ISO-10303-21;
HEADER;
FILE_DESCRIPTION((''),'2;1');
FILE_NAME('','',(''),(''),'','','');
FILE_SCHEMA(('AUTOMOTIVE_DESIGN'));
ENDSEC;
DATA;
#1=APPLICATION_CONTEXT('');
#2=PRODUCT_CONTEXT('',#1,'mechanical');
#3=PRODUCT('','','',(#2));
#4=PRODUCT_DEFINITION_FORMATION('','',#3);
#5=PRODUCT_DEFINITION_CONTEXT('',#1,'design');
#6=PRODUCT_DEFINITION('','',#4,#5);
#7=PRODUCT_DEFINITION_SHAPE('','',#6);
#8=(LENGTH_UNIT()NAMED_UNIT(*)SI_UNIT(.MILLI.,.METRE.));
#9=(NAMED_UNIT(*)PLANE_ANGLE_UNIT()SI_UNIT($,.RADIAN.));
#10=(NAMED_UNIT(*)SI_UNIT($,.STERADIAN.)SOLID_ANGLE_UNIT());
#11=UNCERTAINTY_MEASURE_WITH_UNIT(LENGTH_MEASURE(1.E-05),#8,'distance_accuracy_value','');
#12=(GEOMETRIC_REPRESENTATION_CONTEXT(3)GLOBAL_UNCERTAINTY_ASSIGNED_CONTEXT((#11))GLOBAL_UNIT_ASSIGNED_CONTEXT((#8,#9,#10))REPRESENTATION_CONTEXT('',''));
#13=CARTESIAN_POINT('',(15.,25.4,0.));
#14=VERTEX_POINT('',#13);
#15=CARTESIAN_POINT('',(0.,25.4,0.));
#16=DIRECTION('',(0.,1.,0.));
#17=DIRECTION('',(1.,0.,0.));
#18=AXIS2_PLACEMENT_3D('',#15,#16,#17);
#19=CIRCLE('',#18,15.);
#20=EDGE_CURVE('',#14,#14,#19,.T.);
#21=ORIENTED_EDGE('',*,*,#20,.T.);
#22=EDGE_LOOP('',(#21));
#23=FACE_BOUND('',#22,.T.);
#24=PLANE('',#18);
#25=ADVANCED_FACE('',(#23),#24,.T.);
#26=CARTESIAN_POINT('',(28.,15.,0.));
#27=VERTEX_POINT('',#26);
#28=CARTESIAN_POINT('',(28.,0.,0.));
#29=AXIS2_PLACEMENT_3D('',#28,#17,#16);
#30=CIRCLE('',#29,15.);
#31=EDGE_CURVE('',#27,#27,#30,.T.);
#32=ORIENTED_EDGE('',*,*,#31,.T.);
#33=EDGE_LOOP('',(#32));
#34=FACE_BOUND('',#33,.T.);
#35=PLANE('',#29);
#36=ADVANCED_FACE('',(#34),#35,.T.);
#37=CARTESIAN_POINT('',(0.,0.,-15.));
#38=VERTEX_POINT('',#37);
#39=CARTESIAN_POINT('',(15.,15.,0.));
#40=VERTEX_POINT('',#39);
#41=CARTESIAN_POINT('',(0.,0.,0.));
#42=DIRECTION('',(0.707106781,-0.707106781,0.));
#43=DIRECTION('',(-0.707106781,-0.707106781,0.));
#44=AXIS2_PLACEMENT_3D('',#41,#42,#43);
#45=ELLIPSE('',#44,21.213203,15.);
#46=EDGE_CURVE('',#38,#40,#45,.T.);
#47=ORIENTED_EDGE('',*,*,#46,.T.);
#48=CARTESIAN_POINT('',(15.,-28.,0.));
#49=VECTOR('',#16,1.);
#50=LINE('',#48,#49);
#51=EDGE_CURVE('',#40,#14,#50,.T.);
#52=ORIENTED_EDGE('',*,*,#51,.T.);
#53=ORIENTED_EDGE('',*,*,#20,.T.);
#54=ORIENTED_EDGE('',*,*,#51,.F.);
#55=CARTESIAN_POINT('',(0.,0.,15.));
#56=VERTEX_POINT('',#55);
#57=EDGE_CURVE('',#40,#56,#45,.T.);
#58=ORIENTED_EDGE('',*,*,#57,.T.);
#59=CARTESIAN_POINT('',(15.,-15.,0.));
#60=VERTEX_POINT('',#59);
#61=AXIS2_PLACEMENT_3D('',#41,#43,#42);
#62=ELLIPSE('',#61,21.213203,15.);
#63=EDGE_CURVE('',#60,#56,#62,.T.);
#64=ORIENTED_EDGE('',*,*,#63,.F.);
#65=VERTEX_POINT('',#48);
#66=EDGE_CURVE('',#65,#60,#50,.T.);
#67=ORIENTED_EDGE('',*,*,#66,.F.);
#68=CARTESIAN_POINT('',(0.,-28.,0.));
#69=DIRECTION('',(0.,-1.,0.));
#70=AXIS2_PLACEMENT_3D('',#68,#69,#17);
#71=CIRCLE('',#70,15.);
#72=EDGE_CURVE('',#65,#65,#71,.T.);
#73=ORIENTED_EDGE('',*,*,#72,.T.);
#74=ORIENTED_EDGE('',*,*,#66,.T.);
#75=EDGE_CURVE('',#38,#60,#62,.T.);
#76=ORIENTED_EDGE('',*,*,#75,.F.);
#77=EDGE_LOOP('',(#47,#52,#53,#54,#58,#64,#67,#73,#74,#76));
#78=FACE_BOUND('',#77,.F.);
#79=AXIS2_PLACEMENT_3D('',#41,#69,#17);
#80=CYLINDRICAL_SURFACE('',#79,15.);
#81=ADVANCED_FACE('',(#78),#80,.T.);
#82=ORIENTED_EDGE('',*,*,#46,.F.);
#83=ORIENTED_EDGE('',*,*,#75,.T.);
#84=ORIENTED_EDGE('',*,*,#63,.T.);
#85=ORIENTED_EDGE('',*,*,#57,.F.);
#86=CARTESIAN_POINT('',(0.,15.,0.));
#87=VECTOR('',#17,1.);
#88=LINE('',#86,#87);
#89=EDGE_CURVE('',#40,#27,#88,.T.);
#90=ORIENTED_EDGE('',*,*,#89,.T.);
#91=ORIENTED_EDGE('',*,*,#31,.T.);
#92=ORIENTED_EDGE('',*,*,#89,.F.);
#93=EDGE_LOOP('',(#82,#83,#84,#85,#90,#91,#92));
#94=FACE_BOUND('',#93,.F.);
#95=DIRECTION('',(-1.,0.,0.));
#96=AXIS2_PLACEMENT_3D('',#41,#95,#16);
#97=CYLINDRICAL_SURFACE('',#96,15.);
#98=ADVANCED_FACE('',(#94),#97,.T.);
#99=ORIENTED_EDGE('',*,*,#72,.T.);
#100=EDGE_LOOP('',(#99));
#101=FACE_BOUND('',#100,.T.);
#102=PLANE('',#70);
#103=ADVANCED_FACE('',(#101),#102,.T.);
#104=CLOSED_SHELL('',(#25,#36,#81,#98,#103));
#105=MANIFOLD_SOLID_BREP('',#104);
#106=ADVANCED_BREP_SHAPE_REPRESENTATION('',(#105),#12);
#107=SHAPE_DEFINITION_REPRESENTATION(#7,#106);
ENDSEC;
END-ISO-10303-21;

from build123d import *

# Parameters (mm, degrees)
F0_R      = 15
F1_DEPTH  = 28
F1_FACE_R = 15
F2_DEPTH  = 25.4
F3_R      = 15
F4_DEPTH  = 28


with BuildPart() as f1:
    # F0 (on Front) → F1 (new body)
    with BuildSketch(Plane.XZ):
        Circle(F0_R)
    extrude(amount=F1_DEPTH)

    # F1_face (on face) → F2 (join)
    with BuildSketch(Plane(origin=(0, 0, 0), x_dir=(1, 0, 0), z_dir=(0, 1, 0))):
        Circle(F1_FACE_R)
    extrude(amount=F2_DEPTH)

    # F3 (on Right) → F4 (join)
    with BuildSketch(Plane.YZ):
        Circle(F3_R)
    extrude(amount=F4_DEPTH)


solid = f1.part
